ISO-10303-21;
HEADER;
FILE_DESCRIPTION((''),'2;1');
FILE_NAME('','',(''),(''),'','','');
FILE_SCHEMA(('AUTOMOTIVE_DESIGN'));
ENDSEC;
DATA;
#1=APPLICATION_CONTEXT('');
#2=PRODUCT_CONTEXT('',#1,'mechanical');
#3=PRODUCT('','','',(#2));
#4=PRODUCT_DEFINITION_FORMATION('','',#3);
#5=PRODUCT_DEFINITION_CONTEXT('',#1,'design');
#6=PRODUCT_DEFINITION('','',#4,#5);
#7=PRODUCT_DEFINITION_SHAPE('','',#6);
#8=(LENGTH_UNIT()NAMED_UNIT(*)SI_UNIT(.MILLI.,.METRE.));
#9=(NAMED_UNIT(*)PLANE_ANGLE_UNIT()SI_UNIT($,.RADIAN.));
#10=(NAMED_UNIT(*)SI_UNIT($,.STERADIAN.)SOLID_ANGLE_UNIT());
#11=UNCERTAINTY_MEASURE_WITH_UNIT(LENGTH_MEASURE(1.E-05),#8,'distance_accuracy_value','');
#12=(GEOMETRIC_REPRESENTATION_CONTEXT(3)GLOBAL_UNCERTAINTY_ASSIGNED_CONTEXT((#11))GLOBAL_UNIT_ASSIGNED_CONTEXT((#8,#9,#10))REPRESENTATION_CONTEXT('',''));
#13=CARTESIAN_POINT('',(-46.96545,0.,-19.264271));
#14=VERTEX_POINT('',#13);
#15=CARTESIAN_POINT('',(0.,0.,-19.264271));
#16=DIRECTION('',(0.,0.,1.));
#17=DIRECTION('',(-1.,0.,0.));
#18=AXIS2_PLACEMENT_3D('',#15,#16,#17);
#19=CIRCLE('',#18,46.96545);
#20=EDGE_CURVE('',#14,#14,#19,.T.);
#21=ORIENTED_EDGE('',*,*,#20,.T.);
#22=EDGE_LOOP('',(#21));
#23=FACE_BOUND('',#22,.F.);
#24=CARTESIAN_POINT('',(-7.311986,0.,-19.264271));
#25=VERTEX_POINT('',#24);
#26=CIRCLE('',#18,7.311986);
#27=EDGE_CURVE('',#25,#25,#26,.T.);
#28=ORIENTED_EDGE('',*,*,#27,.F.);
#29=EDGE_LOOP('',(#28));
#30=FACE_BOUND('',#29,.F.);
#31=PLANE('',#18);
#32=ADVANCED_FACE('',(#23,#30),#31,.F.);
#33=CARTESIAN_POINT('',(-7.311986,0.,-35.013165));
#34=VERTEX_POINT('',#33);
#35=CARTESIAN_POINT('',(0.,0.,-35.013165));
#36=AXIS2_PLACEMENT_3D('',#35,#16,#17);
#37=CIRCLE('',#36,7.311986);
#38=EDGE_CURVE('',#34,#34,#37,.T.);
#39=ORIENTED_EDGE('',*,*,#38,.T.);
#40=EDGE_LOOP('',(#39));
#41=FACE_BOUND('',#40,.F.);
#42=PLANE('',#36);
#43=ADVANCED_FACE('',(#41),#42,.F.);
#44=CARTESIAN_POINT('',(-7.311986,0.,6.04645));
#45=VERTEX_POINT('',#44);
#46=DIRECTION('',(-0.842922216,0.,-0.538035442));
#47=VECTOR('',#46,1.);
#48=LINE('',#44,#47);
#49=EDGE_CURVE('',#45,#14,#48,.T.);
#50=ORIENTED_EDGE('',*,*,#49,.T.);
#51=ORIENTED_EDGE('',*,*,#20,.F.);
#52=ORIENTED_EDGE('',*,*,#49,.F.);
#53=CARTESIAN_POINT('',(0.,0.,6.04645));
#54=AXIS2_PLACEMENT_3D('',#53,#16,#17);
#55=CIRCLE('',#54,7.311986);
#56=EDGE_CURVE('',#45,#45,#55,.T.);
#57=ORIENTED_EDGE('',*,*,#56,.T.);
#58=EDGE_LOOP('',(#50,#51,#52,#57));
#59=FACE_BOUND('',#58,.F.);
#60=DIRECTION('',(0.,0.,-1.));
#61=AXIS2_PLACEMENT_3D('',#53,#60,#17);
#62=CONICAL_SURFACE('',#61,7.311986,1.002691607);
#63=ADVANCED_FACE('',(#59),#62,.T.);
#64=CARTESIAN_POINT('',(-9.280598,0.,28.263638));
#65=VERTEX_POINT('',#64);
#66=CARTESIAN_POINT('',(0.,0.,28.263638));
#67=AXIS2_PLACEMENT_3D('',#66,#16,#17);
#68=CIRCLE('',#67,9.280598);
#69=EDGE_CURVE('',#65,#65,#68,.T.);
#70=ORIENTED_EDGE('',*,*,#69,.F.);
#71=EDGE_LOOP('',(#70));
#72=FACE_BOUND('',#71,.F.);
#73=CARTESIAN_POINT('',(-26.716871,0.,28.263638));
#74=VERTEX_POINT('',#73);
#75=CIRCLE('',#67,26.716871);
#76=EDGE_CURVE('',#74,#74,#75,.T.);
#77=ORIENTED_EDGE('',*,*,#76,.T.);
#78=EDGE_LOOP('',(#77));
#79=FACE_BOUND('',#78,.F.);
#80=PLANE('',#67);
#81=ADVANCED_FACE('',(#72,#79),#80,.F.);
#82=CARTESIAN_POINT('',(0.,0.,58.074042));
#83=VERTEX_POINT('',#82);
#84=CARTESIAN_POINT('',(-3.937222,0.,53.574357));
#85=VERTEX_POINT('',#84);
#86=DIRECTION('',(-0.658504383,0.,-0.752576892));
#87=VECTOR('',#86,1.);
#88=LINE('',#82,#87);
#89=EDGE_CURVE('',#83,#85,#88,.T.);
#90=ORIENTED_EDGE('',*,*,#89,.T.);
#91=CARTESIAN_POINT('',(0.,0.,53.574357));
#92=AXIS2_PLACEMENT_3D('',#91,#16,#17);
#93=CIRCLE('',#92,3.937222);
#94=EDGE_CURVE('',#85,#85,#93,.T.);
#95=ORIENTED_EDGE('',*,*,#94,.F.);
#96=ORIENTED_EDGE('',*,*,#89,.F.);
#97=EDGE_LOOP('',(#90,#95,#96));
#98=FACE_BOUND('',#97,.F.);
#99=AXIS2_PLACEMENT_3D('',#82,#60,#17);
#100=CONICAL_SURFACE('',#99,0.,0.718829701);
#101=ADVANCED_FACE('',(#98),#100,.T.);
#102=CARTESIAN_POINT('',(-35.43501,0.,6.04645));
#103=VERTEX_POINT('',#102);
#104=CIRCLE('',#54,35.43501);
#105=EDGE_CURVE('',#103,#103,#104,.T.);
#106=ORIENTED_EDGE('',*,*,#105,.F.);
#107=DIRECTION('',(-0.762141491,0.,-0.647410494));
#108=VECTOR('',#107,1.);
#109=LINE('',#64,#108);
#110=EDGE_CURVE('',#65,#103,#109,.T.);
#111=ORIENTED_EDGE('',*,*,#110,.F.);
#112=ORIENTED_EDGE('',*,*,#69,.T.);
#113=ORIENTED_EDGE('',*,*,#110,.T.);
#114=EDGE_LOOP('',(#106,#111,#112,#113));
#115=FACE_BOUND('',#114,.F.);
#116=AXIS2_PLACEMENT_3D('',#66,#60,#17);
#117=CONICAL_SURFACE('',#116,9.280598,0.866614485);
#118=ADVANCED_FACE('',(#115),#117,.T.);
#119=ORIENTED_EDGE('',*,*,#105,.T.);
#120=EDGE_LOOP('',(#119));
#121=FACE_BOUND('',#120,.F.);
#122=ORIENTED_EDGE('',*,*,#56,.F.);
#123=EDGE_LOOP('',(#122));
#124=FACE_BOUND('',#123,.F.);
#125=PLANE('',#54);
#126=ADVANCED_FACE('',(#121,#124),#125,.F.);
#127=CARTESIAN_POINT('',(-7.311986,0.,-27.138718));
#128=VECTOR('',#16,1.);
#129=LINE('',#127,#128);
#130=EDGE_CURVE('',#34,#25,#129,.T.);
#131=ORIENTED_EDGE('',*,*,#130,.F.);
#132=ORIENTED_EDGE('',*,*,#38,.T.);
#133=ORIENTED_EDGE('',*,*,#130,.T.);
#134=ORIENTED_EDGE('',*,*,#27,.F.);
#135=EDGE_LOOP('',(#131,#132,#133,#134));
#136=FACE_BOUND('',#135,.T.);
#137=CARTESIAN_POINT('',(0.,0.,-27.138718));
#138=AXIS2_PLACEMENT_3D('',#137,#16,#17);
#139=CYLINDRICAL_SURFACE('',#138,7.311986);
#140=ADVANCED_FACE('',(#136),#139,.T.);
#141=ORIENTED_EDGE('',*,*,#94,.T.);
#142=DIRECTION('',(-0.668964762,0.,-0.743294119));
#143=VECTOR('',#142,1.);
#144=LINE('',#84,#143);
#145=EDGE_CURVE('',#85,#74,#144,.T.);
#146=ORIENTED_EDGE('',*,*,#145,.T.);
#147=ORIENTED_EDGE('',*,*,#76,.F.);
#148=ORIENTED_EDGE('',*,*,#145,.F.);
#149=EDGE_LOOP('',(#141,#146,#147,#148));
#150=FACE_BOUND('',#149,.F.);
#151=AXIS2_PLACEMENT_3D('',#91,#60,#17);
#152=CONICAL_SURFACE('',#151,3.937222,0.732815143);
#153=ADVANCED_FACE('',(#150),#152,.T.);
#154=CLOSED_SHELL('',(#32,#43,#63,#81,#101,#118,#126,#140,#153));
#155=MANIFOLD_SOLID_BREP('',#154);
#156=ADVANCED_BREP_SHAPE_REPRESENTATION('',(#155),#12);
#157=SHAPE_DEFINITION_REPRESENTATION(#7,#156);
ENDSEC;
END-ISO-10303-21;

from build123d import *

# Parameters (mm, degrees)
F0_W = 7.311986
F0_H = 15.748894


with BuildPart() as f1:
    # F0 (on Front) → F1 (revolve)
    with BuildSketch(Plane.XZ):
        Polygon((0, 58.074042), (-3.937222, 53.574357), (-26.716871, 28.263638), (-9.280598, 28.263638), (-35.43501, 6.04645), (-7.311986, 6.04645), (-46.96545, -19.264271), (-7.311986, -19.264271), (0, -19.264271), align=None)
        with Locations((-3.655993, -27.138718)):
            Rectangle(F0_W, F0_H)
    revolve(axis=Axis((0, 0, 19.404885), (0, 0, 1)))


solid = f1.part
